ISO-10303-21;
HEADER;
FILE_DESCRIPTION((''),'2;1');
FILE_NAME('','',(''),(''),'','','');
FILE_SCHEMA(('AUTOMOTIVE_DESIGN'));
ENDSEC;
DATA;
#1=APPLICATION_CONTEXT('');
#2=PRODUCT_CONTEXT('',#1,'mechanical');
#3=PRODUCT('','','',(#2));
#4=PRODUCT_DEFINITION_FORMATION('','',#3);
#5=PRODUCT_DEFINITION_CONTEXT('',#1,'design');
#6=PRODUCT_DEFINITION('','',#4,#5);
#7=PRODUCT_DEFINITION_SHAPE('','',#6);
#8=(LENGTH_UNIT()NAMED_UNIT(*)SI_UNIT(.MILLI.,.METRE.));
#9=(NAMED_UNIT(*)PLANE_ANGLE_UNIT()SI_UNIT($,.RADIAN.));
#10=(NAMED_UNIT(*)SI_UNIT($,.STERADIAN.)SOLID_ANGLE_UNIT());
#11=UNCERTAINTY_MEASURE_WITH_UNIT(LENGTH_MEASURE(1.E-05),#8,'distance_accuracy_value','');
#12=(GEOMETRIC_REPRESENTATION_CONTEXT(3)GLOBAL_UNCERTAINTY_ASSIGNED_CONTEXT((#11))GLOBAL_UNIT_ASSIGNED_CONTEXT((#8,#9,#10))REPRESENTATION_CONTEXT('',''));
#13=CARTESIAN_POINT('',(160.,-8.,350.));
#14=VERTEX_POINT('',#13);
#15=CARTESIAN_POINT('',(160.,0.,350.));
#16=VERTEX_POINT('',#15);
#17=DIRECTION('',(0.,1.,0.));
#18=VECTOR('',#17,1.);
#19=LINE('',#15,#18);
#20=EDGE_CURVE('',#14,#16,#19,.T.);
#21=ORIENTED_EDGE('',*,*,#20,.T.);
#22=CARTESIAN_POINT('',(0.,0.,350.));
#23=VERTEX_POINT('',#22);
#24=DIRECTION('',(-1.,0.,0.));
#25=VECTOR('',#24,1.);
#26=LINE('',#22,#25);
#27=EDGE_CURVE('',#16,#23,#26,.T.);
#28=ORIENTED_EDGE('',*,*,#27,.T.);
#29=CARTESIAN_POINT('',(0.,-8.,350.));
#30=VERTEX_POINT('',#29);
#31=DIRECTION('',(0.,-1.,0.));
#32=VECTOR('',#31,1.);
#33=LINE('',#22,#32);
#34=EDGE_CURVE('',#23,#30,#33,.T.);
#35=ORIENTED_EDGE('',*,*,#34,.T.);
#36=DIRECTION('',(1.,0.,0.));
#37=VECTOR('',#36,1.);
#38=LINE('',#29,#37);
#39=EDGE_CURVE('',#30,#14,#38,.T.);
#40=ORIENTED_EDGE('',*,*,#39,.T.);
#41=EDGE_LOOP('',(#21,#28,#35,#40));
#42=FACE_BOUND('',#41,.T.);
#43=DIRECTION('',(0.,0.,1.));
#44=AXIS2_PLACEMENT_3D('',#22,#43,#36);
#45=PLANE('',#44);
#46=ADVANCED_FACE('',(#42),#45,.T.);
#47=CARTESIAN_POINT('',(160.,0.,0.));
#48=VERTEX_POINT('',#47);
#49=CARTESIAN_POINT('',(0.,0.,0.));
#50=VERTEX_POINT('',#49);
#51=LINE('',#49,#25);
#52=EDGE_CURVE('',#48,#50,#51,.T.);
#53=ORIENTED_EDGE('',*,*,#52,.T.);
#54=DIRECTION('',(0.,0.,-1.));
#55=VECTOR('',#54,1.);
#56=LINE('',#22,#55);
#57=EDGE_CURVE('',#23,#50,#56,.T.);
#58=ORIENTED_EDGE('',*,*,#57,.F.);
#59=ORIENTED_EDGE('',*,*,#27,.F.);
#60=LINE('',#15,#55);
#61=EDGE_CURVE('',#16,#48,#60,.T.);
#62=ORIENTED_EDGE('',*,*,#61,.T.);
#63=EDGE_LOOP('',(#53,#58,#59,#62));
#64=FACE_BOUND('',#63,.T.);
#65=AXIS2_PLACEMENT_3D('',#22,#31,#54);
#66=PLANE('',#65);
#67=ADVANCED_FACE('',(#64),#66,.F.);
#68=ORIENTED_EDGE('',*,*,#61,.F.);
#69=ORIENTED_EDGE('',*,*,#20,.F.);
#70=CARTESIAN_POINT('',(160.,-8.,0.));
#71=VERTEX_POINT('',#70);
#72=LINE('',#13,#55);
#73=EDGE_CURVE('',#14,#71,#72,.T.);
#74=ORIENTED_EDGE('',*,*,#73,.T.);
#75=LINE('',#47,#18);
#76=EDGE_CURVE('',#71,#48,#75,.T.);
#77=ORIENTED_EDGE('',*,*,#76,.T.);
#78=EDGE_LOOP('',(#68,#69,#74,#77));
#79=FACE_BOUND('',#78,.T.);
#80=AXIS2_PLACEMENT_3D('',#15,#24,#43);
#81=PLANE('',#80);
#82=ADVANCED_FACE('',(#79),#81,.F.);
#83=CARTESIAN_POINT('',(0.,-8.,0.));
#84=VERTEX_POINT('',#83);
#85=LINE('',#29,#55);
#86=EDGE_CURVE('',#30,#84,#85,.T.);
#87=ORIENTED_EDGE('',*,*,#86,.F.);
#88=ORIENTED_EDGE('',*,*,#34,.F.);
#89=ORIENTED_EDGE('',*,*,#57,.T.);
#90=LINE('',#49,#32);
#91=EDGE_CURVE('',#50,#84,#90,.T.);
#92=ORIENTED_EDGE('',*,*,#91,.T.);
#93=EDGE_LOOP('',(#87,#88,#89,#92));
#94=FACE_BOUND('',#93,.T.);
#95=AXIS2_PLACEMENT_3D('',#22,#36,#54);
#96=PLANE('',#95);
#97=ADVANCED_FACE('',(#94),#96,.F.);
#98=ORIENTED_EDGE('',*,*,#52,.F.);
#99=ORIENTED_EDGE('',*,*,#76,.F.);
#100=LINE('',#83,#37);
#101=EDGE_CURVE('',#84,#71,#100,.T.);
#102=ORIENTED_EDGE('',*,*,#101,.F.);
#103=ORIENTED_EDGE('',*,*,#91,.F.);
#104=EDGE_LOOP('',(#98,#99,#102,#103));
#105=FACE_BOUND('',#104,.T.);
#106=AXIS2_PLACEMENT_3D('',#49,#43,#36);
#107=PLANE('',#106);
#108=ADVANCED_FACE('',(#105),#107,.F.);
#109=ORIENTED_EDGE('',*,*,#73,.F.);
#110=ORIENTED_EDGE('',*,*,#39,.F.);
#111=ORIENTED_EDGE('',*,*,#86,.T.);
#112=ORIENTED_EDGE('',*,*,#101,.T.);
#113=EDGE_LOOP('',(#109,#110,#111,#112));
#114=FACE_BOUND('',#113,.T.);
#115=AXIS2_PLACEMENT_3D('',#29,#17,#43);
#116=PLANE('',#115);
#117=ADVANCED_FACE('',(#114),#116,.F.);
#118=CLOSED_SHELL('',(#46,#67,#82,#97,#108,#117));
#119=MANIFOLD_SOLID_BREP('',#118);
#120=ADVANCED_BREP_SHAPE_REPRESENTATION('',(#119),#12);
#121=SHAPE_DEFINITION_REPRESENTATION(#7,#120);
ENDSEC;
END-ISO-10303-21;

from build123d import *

# Parameters (mm, degrees)
SKETCH_1_W      = 160
SKETCH_1_H      = 8
EXTRUDE_1_DEPTH = 350


with BuildPart() as part:
    # 草图1 → 凸台-拉伸1 (new body)
    with BuildSketch(Plane.XY):
        with Locations((80, -4)):
            Rectangle(SKETCH_1_W, SKETCH_1_H)
    extrude(amount=EXTRUDE_1_DEPTH)


solid = part.part
